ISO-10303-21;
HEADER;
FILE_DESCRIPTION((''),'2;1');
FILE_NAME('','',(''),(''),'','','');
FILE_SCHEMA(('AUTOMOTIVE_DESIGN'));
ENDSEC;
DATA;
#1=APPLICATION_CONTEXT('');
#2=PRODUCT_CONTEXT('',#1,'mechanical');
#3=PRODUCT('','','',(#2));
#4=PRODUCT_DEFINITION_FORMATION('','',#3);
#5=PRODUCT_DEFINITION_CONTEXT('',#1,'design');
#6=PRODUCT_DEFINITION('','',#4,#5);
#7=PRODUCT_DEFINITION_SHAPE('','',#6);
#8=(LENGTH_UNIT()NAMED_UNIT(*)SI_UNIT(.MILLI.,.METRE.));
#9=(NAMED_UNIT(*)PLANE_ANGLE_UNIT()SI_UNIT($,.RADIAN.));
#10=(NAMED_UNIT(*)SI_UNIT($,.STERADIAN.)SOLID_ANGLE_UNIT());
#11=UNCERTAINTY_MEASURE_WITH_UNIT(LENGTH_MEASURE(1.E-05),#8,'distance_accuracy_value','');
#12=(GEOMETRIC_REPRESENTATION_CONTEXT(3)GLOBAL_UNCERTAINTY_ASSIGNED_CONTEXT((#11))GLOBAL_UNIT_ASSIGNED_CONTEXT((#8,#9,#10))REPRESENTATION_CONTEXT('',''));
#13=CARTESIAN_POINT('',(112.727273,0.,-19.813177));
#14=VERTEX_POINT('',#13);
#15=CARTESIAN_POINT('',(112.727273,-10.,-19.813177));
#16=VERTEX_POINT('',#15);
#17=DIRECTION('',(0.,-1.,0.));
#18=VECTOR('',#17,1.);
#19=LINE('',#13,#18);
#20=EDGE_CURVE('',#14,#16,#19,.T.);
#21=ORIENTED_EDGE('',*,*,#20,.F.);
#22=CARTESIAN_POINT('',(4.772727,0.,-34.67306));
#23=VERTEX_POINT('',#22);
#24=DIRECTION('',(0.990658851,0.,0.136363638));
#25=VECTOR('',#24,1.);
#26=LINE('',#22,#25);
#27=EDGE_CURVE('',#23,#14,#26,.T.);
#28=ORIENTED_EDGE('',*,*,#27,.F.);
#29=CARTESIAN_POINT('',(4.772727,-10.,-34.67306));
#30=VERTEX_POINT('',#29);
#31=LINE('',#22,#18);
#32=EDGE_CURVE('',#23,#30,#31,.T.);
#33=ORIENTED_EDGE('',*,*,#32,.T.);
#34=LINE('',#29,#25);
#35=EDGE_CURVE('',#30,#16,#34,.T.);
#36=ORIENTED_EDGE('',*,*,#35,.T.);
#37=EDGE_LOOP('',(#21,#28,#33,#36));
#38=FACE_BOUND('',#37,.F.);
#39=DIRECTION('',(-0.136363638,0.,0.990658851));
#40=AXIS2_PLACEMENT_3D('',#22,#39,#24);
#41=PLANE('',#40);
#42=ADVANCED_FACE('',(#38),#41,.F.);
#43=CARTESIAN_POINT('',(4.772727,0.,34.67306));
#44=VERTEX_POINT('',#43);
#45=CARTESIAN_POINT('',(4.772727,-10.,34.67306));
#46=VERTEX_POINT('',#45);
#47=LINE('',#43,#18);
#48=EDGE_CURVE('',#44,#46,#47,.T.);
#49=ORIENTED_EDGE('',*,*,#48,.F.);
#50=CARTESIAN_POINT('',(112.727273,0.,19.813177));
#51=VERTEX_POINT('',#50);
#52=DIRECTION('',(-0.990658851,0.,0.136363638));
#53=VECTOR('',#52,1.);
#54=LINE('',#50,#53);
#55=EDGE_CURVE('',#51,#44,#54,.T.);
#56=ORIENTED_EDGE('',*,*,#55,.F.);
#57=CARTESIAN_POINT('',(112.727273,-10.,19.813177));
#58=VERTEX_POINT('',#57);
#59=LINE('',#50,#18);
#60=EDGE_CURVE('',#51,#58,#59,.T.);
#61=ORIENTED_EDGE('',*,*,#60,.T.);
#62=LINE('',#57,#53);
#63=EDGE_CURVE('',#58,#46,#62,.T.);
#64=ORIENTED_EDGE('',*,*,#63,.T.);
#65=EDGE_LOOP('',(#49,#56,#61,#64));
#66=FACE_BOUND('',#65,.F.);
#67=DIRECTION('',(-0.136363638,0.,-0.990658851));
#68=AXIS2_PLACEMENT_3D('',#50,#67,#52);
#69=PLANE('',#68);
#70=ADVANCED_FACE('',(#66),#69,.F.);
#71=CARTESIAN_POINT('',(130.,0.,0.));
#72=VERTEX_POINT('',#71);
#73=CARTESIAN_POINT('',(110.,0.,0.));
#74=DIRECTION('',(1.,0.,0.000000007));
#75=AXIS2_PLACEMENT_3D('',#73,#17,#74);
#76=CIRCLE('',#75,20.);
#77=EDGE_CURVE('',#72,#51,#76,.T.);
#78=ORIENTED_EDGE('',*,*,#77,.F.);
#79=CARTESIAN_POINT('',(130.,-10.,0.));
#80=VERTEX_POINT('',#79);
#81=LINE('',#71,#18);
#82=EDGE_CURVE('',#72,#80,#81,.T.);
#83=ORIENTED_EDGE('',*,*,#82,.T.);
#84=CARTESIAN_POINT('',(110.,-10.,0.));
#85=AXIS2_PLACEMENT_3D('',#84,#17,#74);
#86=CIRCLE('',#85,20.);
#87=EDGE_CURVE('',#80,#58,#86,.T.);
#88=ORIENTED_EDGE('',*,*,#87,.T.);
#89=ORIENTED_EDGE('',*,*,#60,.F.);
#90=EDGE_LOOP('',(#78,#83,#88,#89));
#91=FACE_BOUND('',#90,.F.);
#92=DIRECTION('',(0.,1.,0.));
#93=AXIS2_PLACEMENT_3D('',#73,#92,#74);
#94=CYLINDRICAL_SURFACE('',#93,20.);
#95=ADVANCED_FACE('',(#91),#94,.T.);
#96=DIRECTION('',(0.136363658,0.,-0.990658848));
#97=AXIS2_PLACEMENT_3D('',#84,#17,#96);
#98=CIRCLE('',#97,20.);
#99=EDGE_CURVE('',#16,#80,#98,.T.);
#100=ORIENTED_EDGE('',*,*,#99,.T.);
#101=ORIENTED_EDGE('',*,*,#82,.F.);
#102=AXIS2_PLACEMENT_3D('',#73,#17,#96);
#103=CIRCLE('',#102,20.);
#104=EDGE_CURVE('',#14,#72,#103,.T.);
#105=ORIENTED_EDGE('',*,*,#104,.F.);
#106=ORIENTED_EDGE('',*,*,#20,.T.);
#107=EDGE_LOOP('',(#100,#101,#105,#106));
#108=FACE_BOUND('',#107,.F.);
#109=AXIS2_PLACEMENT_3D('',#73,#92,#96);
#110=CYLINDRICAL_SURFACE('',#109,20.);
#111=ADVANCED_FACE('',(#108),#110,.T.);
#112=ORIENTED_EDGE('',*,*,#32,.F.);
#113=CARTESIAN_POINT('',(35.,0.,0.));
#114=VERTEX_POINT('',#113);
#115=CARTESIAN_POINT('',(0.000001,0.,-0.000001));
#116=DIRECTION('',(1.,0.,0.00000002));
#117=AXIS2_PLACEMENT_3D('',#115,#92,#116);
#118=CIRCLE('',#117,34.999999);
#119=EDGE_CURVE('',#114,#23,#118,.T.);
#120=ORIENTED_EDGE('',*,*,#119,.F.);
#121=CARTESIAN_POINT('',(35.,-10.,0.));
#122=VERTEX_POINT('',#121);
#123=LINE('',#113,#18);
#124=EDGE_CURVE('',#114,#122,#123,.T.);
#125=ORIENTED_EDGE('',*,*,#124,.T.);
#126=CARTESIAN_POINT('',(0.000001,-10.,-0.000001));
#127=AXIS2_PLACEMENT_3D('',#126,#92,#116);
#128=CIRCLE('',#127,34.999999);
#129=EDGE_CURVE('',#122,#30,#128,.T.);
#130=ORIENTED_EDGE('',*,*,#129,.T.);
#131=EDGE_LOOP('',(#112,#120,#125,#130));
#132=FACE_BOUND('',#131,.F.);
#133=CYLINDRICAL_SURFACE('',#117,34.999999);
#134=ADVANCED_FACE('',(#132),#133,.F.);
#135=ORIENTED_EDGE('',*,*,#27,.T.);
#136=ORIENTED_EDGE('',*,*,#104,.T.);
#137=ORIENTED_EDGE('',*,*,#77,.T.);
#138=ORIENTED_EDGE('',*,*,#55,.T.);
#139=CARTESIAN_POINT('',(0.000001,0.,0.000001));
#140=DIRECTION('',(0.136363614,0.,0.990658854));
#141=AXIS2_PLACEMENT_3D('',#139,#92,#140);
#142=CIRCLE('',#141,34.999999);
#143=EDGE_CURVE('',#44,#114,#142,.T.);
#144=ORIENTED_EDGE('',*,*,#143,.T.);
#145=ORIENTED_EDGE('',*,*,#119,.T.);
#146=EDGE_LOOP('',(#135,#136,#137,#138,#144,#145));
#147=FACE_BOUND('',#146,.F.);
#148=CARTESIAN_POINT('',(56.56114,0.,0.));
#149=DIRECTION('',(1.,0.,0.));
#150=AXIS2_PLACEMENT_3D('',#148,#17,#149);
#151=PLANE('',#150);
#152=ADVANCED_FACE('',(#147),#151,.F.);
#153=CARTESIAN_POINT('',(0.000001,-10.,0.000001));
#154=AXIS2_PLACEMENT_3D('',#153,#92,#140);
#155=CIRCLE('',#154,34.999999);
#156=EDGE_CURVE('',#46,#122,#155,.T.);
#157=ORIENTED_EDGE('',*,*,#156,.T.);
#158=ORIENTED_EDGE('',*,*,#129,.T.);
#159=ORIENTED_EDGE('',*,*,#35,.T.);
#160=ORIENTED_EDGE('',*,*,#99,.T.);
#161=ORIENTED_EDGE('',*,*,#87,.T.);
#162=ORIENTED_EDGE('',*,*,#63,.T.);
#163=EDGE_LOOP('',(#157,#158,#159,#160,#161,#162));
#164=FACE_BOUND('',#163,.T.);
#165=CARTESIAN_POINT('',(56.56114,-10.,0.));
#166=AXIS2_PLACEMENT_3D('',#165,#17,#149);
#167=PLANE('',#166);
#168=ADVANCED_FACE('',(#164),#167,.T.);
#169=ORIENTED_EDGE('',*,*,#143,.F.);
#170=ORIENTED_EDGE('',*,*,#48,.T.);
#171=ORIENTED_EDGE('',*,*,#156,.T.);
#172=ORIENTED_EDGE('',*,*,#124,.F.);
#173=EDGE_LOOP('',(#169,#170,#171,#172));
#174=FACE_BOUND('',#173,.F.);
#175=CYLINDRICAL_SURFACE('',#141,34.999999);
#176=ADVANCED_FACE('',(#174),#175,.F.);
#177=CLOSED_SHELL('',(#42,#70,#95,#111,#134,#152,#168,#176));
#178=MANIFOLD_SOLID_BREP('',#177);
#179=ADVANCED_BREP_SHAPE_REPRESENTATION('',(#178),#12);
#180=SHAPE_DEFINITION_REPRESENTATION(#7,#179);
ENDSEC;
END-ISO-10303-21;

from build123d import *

# Parameters (mm, degrees)
F1_DEPTH = 10


with BuildPart() as f1:
    # F0 (on Front) → F1 (new body)
    with BuildSketch(Plane.XZ):
        with BuildLine():
            ThreePointArc((4.772727, 34.67306), (26.382243, 22.999506), (35, 0))
            ThreePointArc((35, 0), (26.382243, -22.999506), (4.772727, -34.67306))
            Line((4.772727, -34.67306), (112.727273, -19.813177))
            ThreePointArc((112.727273, -19.813177), (90, 0), (112.727273, 19.813177))
            Line((112.727273, 19.813177), (4.772727, 34.67306))
        make_face()
        with BuildLine():
            ThreePointArc((130, 0), (125.075567, 13.142575), (112.727273, 19.813177))
            ThreePointArc((112.727273, 19.813177), (90, 0), (112.727273, -19.813177))
            ThreePointArc((112.727273, -19.813177), (125.075567, -13.142575), (130, 0))
        make_face()
    extrude(amount=F1_DEPTH)


solid = f1.part
